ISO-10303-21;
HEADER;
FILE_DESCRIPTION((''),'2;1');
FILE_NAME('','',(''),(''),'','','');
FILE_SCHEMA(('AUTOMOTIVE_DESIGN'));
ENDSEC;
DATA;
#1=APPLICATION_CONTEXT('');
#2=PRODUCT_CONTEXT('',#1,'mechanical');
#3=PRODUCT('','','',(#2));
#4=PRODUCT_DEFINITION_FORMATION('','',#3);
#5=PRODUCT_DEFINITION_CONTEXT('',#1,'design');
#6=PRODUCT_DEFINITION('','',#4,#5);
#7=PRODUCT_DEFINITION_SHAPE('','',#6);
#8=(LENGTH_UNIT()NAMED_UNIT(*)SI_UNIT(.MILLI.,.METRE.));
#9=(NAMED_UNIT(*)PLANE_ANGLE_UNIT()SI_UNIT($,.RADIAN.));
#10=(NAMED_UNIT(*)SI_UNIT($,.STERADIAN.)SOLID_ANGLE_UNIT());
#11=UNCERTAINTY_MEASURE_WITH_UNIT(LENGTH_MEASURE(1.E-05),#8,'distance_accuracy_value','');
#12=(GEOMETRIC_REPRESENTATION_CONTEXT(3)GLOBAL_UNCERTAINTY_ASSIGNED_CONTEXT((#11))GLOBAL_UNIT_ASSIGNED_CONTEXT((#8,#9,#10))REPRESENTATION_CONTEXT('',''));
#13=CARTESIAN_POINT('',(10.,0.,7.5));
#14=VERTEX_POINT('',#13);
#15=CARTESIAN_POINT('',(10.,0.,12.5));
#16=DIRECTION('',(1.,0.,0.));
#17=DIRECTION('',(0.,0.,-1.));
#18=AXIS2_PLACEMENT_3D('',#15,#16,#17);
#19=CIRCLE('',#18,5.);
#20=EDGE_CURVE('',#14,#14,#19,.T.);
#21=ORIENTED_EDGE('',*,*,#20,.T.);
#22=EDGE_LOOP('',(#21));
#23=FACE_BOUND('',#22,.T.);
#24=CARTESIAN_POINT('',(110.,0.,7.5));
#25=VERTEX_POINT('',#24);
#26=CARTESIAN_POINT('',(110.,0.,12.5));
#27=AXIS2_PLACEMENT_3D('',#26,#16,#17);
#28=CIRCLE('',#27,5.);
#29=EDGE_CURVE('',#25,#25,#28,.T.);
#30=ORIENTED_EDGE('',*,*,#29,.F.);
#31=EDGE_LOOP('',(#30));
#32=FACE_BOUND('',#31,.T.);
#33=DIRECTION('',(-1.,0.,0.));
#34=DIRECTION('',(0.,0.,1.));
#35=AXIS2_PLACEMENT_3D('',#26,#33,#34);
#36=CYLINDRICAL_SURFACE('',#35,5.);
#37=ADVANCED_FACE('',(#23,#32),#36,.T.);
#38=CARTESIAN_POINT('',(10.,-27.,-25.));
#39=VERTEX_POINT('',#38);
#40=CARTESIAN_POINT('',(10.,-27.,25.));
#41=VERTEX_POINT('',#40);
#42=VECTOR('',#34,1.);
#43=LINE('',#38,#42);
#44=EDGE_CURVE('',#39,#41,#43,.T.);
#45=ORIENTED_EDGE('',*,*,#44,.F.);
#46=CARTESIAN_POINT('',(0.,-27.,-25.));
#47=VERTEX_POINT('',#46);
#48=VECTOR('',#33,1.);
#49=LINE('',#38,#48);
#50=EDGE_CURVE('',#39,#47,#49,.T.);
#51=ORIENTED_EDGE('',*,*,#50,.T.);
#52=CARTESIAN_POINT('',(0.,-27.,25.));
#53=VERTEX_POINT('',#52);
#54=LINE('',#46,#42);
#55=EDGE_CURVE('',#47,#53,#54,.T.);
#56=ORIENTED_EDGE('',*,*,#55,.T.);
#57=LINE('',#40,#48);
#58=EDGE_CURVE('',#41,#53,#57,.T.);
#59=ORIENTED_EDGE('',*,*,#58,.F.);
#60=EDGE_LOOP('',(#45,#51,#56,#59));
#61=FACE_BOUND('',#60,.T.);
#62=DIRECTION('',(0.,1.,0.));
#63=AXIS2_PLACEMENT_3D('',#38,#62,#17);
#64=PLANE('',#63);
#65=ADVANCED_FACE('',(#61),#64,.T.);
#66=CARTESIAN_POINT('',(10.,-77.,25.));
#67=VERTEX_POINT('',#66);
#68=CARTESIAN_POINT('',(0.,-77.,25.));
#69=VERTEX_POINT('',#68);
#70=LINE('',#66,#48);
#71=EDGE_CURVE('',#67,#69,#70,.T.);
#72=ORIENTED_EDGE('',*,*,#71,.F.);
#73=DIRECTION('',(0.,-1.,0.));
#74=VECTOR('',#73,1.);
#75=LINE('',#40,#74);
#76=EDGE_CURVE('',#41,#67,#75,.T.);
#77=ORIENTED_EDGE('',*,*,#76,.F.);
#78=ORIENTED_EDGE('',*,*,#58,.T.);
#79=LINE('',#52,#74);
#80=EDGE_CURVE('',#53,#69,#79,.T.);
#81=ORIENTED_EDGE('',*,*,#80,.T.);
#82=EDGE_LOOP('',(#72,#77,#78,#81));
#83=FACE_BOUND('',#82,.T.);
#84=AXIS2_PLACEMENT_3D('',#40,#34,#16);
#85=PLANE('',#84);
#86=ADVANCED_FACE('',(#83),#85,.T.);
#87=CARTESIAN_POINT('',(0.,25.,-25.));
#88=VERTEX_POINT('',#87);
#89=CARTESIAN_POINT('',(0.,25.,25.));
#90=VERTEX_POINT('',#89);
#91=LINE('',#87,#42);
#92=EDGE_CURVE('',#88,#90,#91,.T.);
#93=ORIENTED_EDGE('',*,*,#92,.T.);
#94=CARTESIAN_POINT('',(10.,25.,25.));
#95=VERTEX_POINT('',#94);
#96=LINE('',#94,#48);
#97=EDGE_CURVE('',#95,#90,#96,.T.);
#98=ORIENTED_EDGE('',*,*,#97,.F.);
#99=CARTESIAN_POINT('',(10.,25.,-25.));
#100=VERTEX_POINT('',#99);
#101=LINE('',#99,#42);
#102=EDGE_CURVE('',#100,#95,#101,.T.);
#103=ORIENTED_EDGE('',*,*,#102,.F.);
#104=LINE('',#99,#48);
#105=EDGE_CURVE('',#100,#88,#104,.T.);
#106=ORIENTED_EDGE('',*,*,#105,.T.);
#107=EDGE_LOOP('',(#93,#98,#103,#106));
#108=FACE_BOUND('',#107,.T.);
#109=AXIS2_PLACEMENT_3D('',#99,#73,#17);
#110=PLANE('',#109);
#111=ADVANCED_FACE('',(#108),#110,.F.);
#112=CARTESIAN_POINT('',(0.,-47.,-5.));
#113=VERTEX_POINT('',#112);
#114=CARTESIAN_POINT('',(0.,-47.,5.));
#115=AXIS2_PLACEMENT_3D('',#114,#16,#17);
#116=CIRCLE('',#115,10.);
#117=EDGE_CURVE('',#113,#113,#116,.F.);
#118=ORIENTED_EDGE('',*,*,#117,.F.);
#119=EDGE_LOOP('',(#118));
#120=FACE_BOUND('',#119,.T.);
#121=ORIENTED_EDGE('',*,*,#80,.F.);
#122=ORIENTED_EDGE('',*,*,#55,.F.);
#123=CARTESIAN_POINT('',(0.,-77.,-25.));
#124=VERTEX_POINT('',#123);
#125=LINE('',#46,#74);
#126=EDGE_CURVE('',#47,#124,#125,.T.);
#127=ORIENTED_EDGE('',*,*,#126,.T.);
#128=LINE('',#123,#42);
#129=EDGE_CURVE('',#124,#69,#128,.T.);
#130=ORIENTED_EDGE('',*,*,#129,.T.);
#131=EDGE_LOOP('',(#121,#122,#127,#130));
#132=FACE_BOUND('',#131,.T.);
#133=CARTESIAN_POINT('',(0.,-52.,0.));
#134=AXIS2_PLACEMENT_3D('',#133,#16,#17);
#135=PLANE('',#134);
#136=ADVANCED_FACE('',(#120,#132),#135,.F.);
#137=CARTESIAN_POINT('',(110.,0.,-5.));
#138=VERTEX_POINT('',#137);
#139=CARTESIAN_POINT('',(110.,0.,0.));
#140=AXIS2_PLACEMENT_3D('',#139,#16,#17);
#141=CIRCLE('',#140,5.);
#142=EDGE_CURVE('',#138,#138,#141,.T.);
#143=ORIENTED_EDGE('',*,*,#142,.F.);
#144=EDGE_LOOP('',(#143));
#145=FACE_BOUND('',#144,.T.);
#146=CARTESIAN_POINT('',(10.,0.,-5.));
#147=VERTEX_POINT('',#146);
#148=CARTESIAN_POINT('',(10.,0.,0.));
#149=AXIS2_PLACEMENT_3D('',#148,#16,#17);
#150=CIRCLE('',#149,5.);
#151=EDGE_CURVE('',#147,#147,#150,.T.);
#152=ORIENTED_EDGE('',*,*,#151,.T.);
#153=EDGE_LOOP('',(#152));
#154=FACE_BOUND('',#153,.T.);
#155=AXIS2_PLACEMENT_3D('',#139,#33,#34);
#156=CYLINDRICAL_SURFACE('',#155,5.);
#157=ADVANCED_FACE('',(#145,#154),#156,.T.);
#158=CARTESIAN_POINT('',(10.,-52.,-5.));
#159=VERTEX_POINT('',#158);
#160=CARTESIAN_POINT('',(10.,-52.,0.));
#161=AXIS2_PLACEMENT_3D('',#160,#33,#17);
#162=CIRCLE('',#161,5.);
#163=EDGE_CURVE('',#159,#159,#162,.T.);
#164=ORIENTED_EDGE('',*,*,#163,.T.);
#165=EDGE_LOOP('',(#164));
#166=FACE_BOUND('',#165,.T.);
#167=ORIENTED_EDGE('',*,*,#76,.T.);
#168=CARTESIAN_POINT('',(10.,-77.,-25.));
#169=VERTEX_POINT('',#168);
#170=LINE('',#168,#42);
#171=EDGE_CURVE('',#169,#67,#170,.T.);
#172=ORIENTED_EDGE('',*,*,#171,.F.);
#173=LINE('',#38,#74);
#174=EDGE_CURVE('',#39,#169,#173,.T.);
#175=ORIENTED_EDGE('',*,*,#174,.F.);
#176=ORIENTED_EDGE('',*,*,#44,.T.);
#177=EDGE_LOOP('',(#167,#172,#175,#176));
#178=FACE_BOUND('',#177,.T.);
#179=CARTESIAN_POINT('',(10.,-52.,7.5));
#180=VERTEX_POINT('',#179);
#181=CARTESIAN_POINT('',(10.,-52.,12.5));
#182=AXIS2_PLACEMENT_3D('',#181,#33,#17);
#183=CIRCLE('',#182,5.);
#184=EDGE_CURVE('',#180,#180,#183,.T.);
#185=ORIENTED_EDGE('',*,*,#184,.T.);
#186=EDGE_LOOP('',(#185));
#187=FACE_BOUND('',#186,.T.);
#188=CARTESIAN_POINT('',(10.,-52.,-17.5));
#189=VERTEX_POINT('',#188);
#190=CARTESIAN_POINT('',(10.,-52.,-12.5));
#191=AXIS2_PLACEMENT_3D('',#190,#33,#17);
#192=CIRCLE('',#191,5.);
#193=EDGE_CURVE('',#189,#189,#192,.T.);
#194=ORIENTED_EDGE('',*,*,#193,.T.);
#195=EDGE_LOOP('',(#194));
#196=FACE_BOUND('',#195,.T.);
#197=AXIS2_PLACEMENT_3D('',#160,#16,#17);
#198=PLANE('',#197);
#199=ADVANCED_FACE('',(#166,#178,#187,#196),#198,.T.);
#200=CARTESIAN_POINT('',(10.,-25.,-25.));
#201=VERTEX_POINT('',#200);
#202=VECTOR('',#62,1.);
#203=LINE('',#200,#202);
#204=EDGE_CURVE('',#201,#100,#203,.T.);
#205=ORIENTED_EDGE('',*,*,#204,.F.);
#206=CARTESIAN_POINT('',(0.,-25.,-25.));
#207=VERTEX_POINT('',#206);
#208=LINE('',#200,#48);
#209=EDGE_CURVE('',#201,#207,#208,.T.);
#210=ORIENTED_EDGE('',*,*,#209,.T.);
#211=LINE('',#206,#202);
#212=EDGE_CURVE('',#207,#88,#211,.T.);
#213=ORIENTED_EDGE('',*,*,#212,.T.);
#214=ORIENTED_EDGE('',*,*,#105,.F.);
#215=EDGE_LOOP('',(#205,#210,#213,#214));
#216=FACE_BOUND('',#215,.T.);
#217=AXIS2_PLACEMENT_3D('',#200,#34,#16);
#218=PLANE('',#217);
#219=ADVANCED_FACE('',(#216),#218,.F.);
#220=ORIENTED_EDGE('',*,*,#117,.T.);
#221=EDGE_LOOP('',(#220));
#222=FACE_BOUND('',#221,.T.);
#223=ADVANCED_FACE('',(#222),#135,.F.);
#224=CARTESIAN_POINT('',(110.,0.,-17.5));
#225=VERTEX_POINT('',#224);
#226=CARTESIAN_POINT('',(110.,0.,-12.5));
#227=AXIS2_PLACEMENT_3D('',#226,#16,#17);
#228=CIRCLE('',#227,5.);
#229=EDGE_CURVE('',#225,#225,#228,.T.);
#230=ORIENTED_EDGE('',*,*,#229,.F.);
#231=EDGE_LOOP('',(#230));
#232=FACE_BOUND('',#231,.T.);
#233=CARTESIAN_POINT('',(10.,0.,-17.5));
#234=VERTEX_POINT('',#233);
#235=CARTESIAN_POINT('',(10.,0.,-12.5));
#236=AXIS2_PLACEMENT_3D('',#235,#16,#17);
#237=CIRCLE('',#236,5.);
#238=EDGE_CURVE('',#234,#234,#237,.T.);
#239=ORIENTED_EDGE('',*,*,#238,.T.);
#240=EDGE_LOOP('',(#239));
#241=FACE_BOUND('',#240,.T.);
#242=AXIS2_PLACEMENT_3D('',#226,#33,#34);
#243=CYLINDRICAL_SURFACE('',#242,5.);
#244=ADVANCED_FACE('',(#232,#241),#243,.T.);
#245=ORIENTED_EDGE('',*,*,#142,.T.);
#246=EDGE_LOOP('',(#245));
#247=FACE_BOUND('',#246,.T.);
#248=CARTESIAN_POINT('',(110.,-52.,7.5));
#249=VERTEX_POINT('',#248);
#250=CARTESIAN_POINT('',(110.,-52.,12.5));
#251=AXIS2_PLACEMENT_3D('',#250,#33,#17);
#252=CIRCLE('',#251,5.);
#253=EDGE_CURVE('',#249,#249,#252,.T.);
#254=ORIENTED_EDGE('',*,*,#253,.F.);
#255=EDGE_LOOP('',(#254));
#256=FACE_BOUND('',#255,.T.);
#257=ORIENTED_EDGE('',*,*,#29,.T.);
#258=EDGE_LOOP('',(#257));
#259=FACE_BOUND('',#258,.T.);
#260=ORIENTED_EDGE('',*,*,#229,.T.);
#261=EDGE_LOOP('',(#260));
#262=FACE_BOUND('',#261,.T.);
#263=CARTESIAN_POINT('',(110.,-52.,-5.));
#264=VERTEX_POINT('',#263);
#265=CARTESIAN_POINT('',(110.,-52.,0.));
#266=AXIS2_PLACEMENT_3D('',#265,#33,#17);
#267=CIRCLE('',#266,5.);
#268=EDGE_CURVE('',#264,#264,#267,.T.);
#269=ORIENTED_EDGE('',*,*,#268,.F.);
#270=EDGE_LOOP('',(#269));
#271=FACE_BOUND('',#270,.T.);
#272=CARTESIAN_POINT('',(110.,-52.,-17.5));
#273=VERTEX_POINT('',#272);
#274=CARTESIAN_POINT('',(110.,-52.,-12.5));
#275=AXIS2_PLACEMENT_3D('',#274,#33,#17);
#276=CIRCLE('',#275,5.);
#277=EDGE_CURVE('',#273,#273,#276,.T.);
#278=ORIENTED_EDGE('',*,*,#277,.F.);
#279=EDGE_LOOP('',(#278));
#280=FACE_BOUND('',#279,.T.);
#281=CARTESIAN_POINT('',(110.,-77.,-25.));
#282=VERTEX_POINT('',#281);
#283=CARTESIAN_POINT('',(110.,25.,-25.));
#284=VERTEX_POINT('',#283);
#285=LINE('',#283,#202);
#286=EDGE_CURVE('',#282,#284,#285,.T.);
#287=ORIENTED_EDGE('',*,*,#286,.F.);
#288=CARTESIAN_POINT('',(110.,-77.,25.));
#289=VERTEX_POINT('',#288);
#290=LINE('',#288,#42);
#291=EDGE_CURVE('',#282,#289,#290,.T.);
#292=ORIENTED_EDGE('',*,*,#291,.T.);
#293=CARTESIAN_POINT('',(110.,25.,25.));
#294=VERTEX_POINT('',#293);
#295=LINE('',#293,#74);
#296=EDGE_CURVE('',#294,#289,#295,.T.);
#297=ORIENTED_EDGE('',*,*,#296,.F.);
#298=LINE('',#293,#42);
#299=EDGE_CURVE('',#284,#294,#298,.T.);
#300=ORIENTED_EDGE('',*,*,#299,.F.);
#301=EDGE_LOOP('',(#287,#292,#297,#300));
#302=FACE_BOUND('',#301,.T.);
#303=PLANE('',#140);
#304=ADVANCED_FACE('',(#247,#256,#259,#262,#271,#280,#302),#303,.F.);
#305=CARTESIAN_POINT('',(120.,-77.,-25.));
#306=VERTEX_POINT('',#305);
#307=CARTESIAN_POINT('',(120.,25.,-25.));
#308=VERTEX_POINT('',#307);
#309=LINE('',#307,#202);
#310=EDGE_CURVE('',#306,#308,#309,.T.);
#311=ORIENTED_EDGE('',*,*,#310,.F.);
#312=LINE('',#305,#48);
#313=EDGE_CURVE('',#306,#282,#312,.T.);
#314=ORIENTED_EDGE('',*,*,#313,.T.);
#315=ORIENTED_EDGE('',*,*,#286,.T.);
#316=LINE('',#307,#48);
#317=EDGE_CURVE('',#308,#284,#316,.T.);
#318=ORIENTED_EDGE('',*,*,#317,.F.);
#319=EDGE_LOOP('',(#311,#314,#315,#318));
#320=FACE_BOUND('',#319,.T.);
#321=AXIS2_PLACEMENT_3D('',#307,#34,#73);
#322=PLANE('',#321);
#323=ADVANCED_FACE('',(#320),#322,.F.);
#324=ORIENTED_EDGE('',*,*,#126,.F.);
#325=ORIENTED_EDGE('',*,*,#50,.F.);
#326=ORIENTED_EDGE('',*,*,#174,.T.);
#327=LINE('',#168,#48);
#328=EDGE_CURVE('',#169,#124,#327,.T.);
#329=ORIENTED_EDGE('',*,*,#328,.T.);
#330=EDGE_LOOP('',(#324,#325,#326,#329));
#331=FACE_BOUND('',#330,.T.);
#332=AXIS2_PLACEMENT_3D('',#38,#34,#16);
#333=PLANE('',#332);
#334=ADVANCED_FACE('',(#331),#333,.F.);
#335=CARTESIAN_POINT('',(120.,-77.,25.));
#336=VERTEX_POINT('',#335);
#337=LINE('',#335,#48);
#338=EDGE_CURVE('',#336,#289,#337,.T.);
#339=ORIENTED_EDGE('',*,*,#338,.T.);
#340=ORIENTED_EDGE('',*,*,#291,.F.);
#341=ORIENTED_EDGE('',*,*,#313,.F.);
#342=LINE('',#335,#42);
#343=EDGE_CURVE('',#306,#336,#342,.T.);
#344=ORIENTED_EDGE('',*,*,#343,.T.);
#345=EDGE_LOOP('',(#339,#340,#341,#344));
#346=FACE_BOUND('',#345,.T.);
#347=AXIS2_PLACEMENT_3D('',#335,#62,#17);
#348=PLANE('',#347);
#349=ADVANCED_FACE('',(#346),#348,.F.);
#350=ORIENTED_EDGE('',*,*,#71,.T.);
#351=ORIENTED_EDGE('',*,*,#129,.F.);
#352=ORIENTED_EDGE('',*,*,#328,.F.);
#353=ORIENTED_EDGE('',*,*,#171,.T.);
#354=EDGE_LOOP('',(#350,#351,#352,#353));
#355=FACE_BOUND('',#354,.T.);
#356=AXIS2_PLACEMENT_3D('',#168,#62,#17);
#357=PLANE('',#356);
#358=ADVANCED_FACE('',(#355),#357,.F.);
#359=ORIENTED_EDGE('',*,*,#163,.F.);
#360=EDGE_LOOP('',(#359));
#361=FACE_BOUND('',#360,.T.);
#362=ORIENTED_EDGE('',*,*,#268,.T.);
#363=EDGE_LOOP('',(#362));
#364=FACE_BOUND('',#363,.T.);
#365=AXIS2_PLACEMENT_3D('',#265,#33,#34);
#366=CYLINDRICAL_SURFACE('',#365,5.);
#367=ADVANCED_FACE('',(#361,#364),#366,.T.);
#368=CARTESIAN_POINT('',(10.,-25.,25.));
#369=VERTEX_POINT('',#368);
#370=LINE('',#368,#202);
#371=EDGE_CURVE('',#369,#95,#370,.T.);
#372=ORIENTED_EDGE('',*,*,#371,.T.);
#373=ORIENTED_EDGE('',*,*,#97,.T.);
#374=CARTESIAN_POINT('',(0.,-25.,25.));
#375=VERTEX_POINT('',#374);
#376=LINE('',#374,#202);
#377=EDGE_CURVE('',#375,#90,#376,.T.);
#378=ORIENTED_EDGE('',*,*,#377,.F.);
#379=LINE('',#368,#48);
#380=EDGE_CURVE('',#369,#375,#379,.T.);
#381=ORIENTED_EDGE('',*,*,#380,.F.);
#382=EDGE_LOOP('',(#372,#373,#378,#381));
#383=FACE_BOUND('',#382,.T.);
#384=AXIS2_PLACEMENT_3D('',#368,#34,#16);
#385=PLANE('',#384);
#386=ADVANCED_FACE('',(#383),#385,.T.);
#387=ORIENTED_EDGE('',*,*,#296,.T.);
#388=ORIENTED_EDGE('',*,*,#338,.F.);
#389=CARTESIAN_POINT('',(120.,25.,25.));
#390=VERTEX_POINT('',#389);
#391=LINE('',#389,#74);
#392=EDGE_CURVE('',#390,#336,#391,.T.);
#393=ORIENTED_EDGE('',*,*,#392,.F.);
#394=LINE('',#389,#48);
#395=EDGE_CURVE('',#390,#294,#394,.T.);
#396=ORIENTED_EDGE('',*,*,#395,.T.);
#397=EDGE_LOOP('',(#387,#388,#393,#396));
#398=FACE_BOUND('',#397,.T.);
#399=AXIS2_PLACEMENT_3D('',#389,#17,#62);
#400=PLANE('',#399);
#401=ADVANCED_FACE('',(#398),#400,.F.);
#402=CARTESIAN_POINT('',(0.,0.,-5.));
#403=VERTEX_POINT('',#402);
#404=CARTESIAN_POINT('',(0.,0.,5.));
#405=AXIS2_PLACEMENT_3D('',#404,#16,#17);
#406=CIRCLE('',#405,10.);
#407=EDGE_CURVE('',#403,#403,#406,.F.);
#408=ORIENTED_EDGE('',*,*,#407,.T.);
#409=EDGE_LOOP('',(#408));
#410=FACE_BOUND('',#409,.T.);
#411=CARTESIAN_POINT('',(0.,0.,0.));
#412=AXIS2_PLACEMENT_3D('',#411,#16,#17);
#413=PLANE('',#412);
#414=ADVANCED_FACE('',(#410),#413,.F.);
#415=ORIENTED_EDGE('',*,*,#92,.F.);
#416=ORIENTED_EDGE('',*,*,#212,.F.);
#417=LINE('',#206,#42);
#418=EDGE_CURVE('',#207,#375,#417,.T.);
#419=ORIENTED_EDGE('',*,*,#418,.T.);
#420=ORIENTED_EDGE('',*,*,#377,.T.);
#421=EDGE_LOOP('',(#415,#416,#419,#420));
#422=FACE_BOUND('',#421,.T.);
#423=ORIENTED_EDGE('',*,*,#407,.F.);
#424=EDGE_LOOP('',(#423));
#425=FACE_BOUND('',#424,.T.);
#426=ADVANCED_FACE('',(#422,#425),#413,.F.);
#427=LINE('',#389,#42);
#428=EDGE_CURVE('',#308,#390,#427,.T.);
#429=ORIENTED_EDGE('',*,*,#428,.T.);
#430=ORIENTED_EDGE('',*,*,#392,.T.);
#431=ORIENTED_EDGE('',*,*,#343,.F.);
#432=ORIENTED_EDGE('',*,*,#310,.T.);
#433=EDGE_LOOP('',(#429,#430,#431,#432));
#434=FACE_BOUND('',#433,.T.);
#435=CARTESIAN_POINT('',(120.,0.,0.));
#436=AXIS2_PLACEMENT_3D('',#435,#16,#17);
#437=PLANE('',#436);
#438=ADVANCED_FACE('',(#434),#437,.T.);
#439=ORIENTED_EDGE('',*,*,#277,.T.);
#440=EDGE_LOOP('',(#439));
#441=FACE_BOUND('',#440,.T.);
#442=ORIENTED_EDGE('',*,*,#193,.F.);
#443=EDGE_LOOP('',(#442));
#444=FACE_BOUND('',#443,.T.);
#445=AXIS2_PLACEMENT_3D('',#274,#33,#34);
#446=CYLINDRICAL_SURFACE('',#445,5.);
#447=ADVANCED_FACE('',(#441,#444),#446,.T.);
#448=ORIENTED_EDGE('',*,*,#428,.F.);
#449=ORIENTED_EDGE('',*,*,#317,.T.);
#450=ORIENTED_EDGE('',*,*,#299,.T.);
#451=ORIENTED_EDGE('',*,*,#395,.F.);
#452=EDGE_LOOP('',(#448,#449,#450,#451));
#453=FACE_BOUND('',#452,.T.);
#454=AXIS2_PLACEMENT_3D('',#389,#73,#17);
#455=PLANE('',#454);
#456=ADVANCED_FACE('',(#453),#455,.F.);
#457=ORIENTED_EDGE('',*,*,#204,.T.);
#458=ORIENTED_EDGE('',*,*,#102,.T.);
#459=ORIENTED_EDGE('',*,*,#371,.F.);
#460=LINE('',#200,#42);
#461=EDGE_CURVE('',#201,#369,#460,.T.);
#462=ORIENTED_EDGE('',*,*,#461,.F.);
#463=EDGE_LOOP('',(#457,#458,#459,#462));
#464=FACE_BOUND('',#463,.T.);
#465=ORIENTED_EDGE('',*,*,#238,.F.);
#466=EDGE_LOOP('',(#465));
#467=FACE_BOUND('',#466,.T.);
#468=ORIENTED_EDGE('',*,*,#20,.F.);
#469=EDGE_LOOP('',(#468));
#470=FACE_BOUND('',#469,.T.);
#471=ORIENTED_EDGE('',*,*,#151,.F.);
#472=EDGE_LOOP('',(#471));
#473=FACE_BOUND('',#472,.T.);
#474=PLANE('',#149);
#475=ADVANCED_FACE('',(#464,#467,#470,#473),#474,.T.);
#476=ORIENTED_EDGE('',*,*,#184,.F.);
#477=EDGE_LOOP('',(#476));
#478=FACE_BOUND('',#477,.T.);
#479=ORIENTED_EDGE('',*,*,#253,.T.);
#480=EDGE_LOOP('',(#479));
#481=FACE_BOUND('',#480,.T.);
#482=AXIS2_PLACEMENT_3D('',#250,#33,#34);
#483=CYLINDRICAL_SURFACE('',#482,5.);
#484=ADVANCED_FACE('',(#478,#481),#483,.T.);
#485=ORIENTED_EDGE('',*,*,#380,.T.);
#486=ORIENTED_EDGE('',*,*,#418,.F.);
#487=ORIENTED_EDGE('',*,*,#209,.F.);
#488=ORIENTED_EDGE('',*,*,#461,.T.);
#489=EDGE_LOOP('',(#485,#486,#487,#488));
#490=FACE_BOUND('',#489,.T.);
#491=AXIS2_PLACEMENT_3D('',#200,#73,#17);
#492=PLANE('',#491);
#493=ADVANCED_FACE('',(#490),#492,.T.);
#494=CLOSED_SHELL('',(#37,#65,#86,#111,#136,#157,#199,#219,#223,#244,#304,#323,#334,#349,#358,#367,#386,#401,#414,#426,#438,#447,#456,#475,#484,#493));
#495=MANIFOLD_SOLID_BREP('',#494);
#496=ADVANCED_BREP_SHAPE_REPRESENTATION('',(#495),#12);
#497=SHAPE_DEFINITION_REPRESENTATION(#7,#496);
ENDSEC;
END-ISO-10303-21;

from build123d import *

# Parameters (mm, degrees)
BASEPLATESKETCH_W   = 50
BASEPLATESKETCH_H   = 50
BOSS_EXTRUDE1_DEPTH = 10
SKETCH2_R           = 5
BOSS_EXTRUDE3_DEPTH = 100
LPATTERN1_COUNT     = 2
LPATTERN1_PITCH     = 12.5
LPATTERN1_COL_COUNT = 2
LPATTERN1_COL_PITCH = 12.5
SKETCH7_W           = 50
SKETCH7_H           = 51
BOSS_EXTRUDE4_DEPTH = 10


with BuildPart() as part:
    # baseplatesketch → Boss-Extrude1 (new body)
    with BuildSketch(Plane(origin=(0, 0, 0), x_dir=(0, 0, -1), z_dir=(1, 0, 0))):
        Rectangle(BASEPLATESKETCH_W, BASEPLATESKETCH_H)
    extrude(amount=BOSS_EXTRUDE1_DEPTH)

    # Sketch2 → Boss-Extrude3 (add)
    with BuildSketch(Plane(origin=(10, 0, 0), x_dir=(0, 0, -1), z_dir=(1, 0, 0))):
        Circle(SKETCH2_R)
    boss_extrude3 = extrude(amount=BOSS_EXTRUDE3_DEPTH)

    # LPattern1: Boss-Extrude3 ×2
    with Locations(*[(0, 0, -i * LPATTERN1_PITCH) for i in range(1, LPATTERN1_COUNT)]):
        add(boss_extrude3)

    # LPattern1 col: Boss-Extrude3 ×2
    with Locations(*[(0, 0, i * LPATTERN1_COL_PITCH) for i in range(1, LPATTERN1_COL_COUNT)]):
        add(boss_extrude3)

    # Sketch7 → Boss-Extrude4 (add)
    with BuildSketch(Plane(origin=(110, 0, 0), x_dir=(0, 0, -1), z_dir=(1, 0, 0))):
        with Locations((0, -0.5)):
            Rectangle(SKETCH7_W, SKETCH7_H)
    extrude(amount=BOSS_EXTRUDE4_DEPTH)

    # Mirror8: part across plane


with BuildPart() as part_1:
    add(part.part)
    add(part.part.mirror(Plane(origin=(0, -26, 0), x_dir=(0, 0, 1), z_dir=(0, -1, 0))))


solid = part_1.part
